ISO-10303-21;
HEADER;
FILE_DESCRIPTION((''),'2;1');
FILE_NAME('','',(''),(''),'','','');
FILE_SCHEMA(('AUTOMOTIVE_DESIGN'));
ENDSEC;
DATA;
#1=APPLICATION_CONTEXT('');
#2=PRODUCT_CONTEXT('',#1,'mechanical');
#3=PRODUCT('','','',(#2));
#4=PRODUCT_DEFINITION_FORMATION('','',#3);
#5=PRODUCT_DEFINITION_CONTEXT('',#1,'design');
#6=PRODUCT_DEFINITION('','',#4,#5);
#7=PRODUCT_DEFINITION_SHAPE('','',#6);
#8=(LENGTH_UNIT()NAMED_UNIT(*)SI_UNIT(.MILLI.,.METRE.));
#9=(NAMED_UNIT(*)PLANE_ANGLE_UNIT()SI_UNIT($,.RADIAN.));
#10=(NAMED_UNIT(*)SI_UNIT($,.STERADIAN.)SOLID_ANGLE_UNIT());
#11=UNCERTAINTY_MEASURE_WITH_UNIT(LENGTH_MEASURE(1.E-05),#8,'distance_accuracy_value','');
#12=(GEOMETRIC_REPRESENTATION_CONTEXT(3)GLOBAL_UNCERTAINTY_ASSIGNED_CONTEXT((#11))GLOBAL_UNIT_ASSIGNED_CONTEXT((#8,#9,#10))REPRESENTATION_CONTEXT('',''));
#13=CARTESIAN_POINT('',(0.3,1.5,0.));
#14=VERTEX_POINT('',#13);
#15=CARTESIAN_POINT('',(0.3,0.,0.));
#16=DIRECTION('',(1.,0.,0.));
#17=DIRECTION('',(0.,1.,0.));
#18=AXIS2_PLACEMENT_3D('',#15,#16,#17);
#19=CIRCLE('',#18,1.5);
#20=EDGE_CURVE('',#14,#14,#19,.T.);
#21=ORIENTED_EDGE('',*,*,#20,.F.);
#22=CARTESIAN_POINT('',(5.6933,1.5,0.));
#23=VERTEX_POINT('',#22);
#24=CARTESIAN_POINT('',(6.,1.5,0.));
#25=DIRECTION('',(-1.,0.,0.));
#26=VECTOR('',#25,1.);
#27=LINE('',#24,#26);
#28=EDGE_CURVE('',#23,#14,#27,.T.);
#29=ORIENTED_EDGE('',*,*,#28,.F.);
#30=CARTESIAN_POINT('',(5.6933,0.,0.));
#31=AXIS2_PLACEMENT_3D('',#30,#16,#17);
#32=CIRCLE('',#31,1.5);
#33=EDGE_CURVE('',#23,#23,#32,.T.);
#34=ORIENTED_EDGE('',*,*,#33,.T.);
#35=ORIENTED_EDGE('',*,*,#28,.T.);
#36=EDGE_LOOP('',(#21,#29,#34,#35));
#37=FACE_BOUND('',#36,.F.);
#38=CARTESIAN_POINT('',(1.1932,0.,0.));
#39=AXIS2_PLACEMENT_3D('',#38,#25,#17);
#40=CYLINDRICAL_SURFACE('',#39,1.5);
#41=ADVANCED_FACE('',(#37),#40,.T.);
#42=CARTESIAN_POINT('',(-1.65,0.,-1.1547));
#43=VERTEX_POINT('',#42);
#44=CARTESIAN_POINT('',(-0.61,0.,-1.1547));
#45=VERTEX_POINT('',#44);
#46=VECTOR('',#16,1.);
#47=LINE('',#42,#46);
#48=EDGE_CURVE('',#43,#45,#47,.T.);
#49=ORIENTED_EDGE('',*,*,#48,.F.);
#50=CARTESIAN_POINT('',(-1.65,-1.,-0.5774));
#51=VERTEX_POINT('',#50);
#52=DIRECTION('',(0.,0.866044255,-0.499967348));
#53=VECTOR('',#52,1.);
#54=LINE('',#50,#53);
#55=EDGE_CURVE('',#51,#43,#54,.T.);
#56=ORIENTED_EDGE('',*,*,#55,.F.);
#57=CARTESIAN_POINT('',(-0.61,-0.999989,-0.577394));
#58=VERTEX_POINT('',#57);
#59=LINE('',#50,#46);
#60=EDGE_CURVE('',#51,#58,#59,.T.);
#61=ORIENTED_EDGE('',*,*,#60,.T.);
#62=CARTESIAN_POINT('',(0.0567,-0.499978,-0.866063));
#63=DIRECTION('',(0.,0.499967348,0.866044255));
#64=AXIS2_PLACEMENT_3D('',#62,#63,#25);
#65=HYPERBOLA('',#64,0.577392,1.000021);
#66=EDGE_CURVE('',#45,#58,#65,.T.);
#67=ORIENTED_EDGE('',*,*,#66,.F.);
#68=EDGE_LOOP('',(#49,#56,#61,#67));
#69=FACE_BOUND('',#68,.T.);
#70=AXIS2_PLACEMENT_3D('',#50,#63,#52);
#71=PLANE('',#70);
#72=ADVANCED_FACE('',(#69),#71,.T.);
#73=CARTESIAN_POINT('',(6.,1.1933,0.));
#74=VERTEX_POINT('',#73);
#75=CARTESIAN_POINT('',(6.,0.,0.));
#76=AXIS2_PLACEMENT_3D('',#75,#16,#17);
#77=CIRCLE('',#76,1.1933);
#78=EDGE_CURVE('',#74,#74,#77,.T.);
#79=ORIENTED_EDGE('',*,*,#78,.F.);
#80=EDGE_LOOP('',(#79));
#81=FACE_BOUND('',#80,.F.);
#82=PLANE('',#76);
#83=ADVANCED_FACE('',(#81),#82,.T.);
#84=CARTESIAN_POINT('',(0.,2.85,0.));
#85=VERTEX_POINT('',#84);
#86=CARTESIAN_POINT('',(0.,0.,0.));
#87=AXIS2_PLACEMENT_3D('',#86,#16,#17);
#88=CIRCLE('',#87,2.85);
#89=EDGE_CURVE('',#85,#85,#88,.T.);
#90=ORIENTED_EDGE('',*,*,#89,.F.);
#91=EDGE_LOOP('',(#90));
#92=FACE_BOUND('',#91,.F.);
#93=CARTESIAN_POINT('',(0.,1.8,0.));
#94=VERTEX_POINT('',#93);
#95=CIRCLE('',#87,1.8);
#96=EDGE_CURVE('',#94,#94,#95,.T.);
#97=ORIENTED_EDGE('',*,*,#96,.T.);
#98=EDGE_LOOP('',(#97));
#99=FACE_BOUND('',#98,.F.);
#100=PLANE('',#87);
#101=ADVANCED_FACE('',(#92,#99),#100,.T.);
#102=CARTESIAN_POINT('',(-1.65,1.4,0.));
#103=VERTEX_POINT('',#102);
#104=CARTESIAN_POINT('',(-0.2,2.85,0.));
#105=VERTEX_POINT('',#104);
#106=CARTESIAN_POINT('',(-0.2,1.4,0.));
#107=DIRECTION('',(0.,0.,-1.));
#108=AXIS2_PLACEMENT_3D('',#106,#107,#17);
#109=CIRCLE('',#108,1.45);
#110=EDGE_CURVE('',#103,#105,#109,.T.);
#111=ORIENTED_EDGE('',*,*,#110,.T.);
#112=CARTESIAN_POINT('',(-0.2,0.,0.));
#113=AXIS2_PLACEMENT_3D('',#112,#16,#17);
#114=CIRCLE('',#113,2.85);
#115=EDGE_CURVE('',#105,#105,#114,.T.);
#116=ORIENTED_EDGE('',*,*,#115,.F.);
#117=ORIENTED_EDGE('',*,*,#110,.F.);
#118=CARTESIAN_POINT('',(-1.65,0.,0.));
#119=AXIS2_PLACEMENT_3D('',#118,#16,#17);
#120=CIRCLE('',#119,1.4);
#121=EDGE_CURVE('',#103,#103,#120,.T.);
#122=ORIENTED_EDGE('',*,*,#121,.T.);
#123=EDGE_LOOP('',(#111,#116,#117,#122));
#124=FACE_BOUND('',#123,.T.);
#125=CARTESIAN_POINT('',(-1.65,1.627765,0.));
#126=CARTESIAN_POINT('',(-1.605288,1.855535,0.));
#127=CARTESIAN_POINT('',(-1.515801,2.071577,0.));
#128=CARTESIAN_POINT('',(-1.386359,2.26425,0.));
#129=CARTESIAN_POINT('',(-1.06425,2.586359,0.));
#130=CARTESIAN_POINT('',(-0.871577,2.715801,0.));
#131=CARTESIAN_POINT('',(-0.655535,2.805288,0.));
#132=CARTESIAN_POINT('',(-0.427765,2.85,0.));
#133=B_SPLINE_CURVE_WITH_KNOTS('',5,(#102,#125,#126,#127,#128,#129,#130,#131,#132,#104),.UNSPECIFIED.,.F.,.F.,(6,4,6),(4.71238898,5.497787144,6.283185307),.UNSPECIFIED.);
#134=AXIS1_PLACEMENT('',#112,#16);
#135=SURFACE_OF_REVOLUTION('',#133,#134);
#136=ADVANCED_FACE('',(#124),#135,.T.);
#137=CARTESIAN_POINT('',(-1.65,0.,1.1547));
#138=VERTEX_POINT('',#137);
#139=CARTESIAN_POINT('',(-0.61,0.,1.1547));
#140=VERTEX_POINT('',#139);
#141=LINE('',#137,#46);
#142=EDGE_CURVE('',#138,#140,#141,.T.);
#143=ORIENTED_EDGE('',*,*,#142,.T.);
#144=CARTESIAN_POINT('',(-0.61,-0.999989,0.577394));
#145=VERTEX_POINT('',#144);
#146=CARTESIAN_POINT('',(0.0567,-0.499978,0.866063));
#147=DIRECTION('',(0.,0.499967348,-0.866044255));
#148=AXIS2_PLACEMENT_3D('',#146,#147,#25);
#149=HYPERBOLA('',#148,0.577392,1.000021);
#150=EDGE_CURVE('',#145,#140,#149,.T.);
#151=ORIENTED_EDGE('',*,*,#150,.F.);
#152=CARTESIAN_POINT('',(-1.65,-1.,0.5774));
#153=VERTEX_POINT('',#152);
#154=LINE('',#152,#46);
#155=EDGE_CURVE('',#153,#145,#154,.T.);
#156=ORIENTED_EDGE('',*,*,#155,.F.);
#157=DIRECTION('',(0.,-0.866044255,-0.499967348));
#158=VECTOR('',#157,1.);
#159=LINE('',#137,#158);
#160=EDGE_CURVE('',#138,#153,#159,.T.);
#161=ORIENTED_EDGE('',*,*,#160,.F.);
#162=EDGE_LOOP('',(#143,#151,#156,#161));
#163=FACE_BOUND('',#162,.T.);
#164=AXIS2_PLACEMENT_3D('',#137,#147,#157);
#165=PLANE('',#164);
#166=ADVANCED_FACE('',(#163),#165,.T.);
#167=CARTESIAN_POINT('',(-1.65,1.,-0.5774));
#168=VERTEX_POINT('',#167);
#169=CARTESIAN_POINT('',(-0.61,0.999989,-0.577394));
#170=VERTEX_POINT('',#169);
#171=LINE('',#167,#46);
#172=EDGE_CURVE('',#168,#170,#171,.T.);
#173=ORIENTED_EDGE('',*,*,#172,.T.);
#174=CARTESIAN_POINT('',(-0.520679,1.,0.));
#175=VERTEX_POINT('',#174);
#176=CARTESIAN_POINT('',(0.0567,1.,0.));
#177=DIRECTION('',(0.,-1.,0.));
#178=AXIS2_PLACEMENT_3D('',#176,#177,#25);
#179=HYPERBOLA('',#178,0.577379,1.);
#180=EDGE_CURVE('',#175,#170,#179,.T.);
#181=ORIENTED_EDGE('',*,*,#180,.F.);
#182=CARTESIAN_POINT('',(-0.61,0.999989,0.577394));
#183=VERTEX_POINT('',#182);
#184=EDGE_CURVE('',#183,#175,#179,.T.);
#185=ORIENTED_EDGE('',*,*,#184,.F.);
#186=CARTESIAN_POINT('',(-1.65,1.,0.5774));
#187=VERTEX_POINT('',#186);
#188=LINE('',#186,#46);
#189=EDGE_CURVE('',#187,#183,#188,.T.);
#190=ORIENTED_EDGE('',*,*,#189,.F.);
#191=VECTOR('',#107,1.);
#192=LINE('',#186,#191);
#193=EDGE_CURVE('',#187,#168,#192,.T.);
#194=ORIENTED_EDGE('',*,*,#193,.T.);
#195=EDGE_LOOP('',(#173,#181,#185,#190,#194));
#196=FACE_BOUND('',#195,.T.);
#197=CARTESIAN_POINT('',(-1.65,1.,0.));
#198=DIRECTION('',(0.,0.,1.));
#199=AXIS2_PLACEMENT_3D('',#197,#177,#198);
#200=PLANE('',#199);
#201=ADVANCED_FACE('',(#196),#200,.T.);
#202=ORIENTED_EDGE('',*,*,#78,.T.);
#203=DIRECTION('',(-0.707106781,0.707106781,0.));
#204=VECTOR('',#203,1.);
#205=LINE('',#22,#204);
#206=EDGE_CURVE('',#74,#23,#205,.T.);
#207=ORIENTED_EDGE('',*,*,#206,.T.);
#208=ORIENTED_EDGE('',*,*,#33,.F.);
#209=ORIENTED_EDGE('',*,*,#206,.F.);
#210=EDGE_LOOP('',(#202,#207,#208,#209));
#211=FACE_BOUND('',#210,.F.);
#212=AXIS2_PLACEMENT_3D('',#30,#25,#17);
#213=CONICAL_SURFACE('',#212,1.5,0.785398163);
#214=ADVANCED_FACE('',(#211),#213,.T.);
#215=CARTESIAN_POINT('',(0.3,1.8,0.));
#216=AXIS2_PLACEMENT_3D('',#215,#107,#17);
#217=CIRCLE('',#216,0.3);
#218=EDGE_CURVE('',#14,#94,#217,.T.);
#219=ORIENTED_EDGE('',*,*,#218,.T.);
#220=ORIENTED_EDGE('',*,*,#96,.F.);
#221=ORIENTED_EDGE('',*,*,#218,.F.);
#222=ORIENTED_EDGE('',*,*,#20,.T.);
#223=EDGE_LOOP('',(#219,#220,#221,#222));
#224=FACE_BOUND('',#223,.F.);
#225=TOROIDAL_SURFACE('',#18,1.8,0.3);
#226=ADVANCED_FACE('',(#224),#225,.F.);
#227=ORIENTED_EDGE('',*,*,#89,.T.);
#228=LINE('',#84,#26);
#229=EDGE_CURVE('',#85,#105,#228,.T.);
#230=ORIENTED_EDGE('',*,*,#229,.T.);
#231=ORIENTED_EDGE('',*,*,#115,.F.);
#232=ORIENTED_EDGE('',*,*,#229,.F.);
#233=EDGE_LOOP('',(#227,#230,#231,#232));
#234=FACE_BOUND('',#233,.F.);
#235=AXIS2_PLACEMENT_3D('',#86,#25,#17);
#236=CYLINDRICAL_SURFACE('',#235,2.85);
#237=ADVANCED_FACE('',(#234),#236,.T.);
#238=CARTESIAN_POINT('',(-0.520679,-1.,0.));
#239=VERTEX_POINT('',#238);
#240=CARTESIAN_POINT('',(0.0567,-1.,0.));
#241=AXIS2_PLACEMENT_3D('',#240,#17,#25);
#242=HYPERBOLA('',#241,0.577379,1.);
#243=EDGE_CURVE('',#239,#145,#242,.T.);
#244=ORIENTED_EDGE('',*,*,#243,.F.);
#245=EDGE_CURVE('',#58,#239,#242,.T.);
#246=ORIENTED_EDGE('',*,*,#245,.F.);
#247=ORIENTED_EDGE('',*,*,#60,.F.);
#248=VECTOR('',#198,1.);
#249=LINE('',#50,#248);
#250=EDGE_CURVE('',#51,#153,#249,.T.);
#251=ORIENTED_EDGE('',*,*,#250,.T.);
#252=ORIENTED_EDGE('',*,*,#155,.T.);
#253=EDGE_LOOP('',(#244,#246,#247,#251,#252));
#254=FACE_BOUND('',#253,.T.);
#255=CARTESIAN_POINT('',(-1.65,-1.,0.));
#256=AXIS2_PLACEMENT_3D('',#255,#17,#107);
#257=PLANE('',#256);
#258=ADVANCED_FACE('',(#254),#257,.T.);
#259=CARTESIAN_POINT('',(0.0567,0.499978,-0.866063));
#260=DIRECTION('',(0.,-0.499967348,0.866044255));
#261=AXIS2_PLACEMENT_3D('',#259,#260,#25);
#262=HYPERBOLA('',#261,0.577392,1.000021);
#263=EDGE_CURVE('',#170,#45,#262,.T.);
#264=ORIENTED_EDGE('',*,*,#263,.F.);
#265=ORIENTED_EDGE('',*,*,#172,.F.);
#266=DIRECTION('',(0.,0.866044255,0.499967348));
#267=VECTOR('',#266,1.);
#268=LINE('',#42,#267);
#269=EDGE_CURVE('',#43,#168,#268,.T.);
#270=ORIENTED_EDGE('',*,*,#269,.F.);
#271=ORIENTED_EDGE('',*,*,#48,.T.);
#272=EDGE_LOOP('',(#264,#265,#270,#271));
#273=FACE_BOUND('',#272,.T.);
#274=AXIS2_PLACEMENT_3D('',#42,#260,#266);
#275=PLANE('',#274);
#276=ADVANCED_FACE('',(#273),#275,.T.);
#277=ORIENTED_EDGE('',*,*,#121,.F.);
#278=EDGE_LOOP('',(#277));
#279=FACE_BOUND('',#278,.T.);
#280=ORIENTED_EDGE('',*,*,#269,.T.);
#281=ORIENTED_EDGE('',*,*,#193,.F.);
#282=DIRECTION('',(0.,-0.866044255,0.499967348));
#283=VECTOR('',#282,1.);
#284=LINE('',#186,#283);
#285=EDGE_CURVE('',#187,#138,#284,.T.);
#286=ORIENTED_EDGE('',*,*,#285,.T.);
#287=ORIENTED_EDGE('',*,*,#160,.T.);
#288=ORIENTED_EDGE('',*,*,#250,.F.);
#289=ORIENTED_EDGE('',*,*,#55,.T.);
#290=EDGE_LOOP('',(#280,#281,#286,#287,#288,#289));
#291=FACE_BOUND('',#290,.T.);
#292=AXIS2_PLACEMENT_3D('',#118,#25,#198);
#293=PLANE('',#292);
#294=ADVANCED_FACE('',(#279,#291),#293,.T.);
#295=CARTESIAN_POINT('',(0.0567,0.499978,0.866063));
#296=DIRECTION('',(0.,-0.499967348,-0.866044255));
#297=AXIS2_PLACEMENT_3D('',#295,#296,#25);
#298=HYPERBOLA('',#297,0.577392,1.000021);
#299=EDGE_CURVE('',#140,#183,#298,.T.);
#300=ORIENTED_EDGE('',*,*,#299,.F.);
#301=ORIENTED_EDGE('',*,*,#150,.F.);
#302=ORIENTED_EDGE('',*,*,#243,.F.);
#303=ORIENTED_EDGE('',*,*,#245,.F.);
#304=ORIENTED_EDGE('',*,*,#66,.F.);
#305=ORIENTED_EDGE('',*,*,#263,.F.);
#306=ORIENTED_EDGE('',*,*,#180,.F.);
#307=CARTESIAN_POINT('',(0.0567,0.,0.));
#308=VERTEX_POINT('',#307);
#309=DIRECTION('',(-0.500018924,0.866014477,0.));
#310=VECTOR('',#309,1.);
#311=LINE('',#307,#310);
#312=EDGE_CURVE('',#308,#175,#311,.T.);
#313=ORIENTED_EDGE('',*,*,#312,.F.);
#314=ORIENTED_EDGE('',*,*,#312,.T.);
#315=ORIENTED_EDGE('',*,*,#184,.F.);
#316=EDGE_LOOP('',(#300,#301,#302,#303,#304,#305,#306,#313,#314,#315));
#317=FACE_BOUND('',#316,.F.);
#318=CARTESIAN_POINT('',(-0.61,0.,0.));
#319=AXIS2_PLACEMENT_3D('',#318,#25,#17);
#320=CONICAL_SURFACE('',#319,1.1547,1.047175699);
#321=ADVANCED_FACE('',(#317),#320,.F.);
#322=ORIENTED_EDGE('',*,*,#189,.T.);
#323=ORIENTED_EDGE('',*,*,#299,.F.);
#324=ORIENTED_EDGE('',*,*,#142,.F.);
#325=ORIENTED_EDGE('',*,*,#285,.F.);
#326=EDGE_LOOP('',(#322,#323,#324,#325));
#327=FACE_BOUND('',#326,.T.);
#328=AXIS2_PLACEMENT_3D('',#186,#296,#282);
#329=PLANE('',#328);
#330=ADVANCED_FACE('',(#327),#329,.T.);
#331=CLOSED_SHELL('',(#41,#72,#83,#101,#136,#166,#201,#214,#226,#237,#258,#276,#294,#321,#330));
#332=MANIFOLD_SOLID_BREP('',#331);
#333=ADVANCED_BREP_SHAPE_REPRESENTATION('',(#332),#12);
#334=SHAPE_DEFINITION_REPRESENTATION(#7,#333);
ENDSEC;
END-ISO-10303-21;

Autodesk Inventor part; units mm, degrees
ref_plane "YZ Plane" through (0, 0, 0) normal (1, 0, 0) x (0, 1, 0)
ref_plane "XZ Plane" through (0, 0, 0) normal (0, 1, 0) x (-1, 0, 0)
sketch "Sketch1" plane through (0, 0, 0) normal (0, 0, 1) x (1, 0, 0)
  line L0 (0.0567, 0) -> (6, 0)
  line L1 (6, 0) -> (6, 1.5)
  line L2 (6, 1.5) -> (1.5, 1.5)
  line L3 (1.5, 1.5) -> (1.1932, 1.5)
  line L4 (1.1932, 1.5) -> (0, 1.5)
  line L5 (0, 1.5) -> (0, 2.85)
  line L6 (0, 2.85) -> (-1.65, 2.85)
  line L7 (-1.65, 2.85) -> (-1.65, 1.1547)
  line L8 (-1.65, 1.1547) -> (-0.61, 1.1547)
  line L9 (-0.61, 1.1547) -> (0.0567, 0)
  line L10 (-3.18, 0) -> (7.53, 0) projected
  line L11 (0, -0.57) -> (0, 3.42) projected
  line L12 (1.5, 1.5) -> (0, 1.5) construction
  dimension "d1" = 4.5
  dimension "d2" = 0.3068
  dimension "d3" = 1.65
  dimension "d4" = 1.04
  dimension "d5" = 60
  dimension "d6" = 3
  dimension "d7" = 3
  dimension "d8" = 2.3094
  dimension "d9" = 5.7
  dimension "d26" = 6
revolve "Body" add sketch "Sketch1" angle 360 about axis through (0.0567, 0, 0) along (1, 0, 0) contours L9 L11 L4 L3 L2 L1 L0 | L9 L8 L7 L6 L5 L11
sketch "Sketch2" plane through (-1.65, 0, 0) normal (-1, 0, 0) x (0, 0, 1)
  circle A0 centre (0, 0) radius 1.1547 projected
  line L0 (0, -3.99) -> (0, 3.99) projected
  line L1 (-3.99, 0) -> (3.99, 0) projected
  line L2 (1.1547, 0) -> (0.5774, -1)
  line L3 (0.5774, -1) -> (-0.5774, -1)
  line L4 (-0.5774, -1) -> (-1.1547, 0)
  line L5 (-1.1547, 0) -> (-0.5774, 1)
  line L6 (-0.5774, 1) -> (0.5774, 1)
  line L7 (0.5774, 1) -> (1.1547, 0)
extrude "Slot" add sketch "Sketch2" against normal up to next contours L7 A0 | A0 L2 | L6 L0 A0 | A0 L0 L3 | L0 L6 A0 | A0 L3 L0 | L4 A0 | A0 L5
fillet "Fillet1" radius 1.45 1 edges at (-1.65, -2.85, 0)
thread "Thread" size "M3x0.5" class "6g" standard "ISO Metric profile" length 4.5
chamfer "Chamfer1" distance 0.3067 distance2 0.3067 1 edges at (6, -1.5, 0) measured on face at (6, -0.2617, -0.7882)
ref_plane "Work Plane1" through (29, 0, 0) normal (0, -1, 0) x (1, 0, 0)
fillet "Fillet2" radius 0.3 1 edges at (0, -1.5, 0)
equation "\"d1\" = GEL"
equation "\"d3\" = KOH"
equation "\"d4\" = INTI"
equation "\"d6\" = GD"
equation "\"d7\" = BDM"
equation "\"d8\" = 1.1547 * SW"
equation "\"d9\" = KOD"
equation "\"d26\" = NLG"
equation "\"d30\" = R"
equation "\"d17\" = RR"
equation "\"d13\" = GEL"
equation "\"d15\" = -0.5 * SPD + 0.5 * GD"
equation "\"d16\" = GUL"
equation "\"GD\" = NND"
equation "\"NLG\" = 6"
equation "\"GEL\" = 4.5"
equation "\"KOD\" = 5.7"
equation "\"KOH\" = 1.65"
equation "\"INTI\" = 1.04"
equation "\"GAL\" = 0.61345 * PTC"
equation "\"GUL\" = 0.61345 * PTC"
equation "\"BDM\" = NND"
equation "\"SW\" = 2"
equation "\"RR\" = 1.45"
equation "\"SPD\" = NND - 1.2269 * PTC"
equation "\"R\" = 0.3"
equation "\"TOA\" = 30deg"
equation "\"GD1\" = THREADDIA - 1.2269 * PTC"
equation "\"THREADDIA\" = 3"
equation "\"PTC\" = 0.5"
equation "\"NND\" = 3"
equation "\"KOH1\" = 0.2"
equation "\"E0\" = 2.303"
properties part number "ISO 7380-1 - M3 x 6" material "Steel"
